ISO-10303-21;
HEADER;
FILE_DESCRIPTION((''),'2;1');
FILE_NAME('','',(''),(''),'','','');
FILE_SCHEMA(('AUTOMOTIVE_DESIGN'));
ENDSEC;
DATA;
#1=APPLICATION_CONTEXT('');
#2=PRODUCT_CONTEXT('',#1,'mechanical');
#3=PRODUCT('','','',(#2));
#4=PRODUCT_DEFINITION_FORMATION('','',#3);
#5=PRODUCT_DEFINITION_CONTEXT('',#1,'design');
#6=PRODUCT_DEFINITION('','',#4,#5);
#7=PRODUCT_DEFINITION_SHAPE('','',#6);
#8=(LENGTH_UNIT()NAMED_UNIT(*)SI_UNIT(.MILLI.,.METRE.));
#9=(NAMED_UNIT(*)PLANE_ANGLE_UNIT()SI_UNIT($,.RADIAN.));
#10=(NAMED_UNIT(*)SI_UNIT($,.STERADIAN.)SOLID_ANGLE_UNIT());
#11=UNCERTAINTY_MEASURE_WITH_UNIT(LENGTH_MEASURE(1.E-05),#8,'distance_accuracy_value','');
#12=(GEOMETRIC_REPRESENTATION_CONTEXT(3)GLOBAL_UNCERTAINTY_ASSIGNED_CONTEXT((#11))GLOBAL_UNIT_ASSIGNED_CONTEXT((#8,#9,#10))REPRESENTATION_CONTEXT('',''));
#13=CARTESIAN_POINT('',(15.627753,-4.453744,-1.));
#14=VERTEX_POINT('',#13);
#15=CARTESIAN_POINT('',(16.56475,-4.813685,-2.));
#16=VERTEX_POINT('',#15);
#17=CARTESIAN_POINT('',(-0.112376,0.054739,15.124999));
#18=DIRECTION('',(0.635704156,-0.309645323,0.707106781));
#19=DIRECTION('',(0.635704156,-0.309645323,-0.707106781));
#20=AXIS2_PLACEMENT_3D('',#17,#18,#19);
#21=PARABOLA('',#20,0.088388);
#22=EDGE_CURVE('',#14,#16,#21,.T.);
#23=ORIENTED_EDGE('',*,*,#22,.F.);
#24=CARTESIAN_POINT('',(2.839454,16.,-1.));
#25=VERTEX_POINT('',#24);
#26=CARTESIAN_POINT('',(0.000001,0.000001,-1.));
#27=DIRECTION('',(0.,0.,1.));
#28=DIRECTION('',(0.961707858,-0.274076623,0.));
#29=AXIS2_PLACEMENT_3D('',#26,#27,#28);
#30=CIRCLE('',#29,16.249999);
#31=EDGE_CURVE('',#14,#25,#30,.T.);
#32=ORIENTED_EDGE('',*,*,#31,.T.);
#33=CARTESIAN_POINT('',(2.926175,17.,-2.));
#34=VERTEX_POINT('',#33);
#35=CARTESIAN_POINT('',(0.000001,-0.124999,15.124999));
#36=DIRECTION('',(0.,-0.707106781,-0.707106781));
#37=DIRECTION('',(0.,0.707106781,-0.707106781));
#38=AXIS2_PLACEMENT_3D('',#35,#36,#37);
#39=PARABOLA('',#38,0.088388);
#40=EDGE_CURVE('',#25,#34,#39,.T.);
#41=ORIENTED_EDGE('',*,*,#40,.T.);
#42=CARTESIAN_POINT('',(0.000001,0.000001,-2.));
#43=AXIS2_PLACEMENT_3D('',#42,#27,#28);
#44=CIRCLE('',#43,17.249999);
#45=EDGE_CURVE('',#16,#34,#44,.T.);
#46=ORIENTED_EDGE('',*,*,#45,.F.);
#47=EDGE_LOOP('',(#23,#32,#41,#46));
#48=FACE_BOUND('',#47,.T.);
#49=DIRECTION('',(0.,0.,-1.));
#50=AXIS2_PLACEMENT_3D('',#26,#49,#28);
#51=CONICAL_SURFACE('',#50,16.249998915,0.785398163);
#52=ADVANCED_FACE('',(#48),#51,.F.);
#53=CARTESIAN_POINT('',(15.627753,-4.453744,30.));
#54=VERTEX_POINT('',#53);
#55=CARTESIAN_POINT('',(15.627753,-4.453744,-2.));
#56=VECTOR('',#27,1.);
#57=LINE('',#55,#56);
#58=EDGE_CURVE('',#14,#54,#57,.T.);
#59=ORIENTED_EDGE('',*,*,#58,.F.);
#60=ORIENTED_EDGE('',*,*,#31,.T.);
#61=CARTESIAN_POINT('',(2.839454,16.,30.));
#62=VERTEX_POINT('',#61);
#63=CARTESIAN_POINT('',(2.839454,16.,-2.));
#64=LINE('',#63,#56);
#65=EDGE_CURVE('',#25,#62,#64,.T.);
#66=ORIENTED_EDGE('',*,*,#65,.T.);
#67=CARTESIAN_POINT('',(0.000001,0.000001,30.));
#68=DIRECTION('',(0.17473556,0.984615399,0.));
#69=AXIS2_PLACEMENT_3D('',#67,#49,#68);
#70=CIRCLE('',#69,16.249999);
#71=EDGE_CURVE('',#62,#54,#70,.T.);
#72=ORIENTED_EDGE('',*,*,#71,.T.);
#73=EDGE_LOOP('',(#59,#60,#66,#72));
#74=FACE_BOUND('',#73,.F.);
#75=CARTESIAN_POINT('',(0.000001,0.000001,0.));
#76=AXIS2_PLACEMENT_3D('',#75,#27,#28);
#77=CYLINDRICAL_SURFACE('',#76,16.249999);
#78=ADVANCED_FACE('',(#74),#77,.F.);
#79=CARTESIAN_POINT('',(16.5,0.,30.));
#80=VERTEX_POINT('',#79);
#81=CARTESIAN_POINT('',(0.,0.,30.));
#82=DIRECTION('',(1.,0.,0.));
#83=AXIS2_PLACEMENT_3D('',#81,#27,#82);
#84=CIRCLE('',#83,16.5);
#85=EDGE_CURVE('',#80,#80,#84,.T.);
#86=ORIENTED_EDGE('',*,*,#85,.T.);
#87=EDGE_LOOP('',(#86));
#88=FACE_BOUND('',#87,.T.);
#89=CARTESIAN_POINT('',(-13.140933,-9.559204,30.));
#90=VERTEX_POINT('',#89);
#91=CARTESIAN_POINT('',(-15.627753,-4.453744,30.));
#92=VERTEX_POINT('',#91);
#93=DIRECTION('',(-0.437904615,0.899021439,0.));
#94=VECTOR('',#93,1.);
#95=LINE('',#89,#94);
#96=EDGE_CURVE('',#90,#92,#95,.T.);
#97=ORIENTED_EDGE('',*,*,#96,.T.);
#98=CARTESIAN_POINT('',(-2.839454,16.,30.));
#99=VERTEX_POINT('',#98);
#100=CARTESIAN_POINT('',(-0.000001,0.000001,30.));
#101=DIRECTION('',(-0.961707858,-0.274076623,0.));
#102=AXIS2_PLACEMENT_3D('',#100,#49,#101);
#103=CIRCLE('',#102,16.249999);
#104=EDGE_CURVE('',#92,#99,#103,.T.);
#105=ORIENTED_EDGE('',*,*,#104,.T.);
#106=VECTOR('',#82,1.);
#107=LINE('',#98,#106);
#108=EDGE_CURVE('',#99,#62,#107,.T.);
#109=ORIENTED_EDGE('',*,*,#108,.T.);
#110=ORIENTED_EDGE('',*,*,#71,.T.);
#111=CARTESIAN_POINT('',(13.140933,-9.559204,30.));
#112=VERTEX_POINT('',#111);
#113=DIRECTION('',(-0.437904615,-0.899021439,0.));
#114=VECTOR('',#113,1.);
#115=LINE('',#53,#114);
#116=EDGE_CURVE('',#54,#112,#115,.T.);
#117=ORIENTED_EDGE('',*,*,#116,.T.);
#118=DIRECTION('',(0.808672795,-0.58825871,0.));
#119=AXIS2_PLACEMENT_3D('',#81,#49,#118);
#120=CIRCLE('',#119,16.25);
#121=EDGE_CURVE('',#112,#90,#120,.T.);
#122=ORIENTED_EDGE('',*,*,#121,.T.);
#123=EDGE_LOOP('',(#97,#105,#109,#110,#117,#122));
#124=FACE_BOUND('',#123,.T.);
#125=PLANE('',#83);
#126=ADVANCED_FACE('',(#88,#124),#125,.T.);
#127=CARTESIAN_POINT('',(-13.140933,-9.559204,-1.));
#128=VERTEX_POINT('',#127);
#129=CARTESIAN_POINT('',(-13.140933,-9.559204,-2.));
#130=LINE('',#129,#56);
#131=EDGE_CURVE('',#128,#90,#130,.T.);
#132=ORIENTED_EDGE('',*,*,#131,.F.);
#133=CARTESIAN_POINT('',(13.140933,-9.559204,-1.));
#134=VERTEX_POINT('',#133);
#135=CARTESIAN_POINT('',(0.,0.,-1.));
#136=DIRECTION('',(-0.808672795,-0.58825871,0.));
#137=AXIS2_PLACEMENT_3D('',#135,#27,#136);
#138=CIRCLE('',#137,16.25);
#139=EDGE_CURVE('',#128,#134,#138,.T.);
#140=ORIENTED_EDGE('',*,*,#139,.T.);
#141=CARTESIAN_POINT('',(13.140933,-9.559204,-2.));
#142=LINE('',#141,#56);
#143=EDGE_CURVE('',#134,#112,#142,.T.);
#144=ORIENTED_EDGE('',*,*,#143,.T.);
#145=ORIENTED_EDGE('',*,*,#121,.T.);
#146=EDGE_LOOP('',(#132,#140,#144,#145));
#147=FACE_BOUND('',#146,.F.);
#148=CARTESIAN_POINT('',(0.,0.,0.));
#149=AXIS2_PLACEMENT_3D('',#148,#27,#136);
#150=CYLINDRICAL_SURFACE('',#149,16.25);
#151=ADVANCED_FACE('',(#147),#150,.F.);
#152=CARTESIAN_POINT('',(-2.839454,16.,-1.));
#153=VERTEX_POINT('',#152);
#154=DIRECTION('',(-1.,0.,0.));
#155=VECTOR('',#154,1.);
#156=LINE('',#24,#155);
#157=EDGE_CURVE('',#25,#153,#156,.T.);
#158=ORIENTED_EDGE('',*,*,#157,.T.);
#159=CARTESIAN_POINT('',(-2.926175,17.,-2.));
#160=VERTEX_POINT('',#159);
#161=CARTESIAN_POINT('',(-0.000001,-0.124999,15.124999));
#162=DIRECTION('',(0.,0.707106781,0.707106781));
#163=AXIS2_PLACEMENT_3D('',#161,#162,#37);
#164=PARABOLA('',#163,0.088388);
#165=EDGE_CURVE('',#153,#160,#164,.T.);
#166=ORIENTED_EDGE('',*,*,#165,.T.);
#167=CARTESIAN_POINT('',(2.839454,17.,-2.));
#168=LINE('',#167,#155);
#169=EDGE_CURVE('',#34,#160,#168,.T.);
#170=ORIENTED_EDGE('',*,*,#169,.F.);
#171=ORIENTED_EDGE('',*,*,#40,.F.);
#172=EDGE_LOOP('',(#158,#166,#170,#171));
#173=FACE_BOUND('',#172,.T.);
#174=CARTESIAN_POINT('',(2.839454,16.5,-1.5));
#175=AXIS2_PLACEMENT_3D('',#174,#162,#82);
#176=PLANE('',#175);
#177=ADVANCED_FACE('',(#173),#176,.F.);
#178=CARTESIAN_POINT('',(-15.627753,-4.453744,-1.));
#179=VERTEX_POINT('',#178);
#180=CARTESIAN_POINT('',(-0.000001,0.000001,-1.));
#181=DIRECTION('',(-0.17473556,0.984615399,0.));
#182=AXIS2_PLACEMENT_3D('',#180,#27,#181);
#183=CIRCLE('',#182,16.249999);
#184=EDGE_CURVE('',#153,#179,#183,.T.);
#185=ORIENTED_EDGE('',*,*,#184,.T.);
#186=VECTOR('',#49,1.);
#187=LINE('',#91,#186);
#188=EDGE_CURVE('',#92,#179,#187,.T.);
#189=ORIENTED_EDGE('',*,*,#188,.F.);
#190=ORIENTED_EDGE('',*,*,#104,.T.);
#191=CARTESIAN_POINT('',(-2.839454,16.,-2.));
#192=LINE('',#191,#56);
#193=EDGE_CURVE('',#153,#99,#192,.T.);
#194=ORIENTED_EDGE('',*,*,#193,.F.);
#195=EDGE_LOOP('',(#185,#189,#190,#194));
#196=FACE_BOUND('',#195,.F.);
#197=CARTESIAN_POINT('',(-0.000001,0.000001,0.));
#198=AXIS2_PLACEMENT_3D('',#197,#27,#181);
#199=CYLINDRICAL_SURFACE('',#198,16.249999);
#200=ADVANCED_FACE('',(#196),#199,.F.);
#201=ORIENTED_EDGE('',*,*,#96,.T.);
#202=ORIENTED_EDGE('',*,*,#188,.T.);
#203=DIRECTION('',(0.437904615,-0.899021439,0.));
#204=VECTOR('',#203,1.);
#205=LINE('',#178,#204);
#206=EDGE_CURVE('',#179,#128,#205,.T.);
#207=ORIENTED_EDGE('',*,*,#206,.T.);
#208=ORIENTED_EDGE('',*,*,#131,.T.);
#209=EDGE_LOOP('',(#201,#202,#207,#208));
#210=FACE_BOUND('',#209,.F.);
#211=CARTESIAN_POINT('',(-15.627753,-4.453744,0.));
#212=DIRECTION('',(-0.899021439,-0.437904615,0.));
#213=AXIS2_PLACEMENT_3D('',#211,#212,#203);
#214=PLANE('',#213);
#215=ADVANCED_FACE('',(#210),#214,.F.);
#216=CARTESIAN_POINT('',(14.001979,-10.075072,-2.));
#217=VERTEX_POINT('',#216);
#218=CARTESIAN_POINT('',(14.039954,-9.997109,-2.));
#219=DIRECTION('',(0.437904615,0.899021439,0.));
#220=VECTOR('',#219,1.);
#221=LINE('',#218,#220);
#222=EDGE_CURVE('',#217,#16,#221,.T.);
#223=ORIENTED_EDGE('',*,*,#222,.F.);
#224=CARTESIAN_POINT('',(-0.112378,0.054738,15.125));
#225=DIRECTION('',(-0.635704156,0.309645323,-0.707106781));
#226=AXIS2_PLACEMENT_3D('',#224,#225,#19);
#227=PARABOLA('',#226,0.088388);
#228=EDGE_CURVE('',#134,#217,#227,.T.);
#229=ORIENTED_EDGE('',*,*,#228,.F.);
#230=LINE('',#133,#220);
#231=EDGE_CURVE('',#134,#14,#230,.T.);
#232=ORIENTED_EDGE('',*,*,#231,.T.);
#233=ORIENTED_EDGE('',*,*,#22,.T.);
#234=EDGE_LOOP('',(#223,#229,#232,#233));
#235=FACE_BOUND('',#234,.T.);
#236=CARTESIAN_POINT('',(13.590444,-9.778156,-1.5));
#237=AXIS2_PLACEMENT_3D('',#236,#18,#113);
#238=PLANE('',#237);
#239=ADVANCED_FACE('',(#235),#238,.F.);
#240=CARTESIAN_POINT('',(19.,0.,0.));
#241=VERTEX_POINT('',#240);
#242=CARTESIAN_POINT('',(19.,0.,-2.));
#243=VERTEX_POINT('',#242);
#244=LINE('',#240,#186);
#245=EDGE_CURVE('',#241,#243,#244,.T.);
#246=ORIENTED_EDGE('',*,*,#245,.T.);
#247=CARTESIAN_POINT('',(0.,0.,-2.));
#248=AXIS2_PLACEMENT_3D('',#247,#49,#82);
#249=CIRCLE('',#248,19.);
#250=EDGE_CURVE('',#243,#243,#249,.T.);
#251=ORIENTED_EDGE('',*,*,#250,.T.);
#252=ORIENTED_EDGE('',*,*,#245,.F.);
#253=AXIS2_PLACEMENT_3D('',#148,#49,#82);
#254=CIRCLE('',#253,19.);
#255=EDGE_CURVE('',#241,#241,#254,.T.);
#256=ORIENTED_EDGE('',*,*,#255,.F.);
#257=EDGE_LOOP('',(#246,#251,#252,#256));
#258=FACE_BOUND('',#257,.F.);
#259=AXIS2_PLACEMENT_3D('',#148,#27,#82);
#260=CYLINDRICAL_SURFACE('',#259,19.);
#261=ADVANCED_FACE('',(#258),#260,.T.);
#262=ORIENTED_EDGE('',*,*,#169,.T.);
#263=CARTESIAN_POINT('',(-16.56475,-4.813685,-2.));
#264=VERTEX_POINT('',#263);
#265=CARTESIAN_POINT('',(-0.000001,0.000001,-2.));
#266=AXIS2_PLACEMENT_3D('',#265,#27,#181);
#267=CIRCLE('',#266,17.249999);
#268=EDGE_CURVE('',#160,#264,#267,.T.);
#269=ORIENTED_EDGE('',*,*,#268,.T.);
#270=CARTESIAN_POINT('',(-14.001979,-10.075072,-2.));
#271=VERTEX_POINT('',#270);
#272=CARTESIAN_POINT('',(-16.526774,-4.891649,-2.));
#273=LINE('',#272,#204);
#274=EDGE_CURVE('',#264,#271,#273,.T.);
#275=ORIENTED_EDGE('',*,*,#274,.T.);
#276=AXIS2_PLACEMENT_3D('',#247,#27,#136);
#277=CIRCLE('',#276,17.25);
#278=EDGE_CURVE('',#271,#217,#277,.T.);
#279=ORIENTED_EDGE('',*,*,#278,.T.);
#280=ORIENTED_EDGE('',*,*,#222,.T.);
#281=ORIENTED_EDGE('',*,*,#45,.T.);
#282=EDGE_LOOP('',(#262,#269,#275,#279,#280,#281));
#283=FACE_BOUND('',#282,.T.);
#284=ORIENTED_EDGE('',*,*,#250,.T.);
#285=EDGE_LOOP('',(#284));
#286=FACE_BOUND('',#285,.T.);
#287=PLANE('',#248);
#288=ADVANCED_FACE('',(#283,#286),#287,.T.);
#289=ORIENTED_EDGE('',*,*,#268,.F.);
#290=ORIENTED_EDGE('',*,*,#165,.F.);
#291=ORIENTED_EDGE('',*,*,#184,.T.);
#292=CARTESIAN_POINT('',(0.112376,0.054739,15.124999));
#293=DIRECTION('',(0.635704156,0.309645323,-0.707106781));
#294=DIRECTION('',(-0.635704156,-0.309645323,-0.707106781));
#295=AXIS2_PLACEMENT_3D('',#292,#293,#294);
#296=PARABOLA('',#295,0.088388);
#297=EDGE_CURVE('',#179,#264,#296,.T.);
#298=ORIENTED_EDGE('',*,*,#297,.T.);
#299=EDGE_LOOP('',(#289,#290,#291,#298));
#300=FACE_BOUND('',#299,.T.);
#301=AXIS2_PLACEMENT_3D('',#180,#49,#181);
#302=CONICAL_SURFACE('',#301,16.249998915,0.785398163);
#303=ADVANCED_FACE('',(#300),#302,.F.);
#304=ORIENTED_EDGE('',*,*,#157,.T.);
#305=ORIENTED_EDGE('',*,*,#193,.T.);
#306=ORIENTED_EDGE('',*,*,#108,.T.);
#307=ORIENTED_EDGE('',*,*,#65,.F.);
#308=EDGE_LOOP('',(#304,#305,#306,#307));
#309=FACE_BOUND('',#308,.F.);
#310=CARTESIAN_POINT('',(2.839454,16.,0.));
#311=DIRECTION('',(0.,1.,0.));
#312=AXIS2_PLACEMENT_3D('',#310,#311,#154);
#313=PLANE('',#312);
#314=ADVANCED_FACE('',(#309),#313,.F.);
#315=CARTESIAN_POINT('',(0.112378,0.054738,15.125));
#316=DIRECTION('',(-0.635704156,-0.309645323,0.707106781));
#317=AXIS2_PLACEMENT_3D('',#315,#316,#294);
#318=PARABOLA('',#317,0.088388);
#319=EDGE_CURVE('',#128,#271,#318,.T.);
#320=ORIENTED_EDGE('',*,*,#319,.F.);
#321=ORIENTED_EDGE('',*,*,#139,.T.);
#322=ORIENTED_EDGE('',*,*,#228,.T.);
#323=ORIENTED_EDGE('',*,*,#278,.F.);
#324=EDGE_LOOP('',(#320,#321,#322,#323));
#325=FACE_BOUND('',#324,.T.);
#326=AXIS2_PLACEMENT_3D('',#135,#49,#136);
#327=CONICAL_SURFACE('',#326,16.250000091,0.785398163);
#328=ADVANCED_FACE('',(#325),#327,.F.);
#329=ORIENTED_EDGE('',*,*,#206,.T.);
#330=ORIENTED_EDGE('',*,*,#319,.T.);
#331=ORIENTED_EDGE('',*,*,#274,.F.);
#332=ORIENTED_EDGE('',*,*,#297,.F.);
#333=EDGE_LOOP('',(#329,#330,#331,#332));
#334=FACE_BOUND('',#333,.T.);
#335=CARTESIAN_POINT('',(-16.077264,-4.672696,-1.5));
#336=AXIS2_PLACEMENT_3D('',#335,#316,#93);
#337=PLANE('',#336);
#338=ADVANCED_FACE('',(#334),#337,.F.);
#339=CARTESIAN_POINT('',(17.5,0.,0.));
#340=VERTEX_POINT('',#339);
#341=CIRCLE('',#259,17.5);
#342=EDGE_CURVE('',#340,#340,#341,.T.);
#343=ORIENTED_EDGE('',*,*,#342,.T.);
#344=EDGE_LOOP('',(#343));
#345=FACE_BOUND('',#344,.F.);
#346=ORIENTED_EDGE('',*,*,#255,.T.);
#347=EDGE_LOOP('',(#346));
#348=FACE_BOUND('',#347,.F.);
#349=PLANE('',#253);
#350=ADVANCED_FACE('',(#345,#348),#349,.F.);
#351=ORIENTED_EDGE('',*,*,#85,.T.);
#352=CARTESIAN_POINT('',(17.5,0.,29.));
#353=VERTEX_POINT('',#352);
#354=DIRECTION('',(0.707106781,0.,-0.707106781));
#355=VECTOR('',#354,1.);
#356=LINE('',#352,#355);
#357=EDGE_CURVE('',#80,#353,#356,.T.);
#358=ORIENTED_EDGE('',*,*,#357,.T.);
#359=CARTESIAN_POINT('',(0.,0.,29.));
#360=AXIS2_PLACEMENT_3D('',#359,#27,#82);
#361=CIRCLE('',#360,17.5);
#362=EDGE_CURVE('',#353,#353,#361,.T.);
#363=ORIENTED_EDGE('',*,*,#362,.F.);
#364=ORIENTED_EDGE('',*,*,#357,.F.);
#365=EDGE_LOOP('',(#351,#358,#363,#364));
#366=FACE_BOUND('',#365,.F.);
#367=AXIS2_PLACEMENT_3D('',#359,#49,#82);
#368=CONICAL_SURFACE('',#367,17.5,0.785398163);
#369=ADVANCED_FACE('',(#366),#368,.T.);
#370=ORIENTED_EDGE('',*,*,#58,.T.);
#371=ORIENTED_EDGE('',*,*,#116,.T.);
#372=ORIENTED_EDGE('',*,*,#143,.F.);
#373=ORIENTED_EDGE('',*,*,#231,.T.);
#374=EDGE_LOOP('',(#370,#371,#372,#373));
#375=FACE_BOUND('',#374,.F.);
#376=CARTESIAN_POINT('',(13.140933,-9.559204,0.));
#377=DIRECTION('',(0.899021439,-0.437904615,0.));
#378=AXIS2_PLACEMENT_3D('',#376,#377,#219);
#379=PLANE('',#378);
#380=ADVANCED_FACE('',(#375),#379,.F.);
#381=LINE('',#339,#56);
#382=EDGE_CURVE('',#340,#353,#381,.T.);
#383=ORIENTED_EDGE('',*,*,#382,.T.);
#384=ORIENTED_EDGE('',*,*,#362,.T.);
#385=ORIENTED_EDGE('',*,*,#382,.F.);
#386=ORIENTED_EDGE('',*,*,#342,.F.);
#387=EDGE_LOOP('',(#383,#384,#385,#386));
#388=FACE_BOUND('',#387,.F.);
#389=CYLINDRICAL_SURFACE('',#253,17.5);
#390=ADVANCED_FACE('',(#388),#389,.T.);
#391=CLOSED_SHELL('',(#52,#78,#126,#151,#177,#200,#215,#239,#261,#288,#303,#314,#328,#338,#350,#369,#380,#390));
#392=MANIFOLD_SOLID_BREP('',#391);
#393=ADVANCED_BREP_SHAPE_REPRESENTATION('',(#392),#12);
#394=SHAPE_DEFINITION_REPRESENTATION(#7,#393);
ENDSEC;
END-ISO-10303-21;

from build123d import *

# Parameters (mm, degrees)
F0_R     = 17.5
F1_DEPTH = 30
F2_R     = 19
F3_DEPTH = 2
F4_SIZE  = 1
F5_SIZE  = 1


with BuildPart() as f1:
    # F0 (on Top) → F1 (new body)
    with BuildSketch(Plane.XY):
        Circle(F0_R)
        with BuildLine():
            ThreePointArc((-15.627753, -4.453744), (-13.778547, 8.614764), (-2.839454, 16))
            Line((-2.839454, 16), (2.839454, 16))
            ThreePointArc((2.839454, 16), (13.778547, 8.614764), (15.627753, -4.453744))
            Line((15.627753, -4.453744), (13.140933, -9.559204))
            ThreePointArc((13.140933, -9.559204), (0, -16.25), (-13.140933, -9.559204))
            Line((-13.140933, -9.559204), (-15.627753, -4.453744))
        make_face(mode=Mode.SUBTRACT)
    extrude(amount=F1_DEPTH)

    # F2 (on face) → F3 (join)
    with BuildSketch(Plane(origin=(0, 0, 0), x_dir=(1, 0, 0), z_dir=(0, 0, -1))):
        Circle(F2_R)
        with BuildLine():
            Line((-15.627753, 4.453744), (-13.140933, 9.559204))
            ThreePointArc((-13.140933, 9.559204), (0, 16.25), (13.140933, 9.559204))
            Line((13.140933, 9.559204), (15.627753, 4.453744))
            ThreePointArc((15.627753, 4.453744), (13.778547, -8.614764), (2.839454, -16))
            Line((2.839454, -16), (-2.839454, -16))
            ThreePointArc((-2.839454, -16), (-13.778547, -8.614764), (-15.627753, 4.453744))
        make_face(mode=Mode.SUBTRACT)
    extrude(amount=F3_DEPTH)

    # F4
    f4_edges = [f1.edges().sort_by_distance(p)[0] for p in [
        (-17.5, 0, 30),
    ]]
    chamfer(f4_edges, length=F4_SIZE)

    # F5
    f5_edges = [f1.edges().sort_by_distance(p)[0] for p in [
        (0, -16.25, -2),
        (14.384343, -7.006474, -2),
        (13.778547, 8.614764, -2),
        (0, 16, -2),
        (-13.778547, 8.614764, -2),
        (-14.384343, -7.006474, -2),
    ]]
    chamfer(f5_edges, length=F5_SIZE)


solid = f1.part
